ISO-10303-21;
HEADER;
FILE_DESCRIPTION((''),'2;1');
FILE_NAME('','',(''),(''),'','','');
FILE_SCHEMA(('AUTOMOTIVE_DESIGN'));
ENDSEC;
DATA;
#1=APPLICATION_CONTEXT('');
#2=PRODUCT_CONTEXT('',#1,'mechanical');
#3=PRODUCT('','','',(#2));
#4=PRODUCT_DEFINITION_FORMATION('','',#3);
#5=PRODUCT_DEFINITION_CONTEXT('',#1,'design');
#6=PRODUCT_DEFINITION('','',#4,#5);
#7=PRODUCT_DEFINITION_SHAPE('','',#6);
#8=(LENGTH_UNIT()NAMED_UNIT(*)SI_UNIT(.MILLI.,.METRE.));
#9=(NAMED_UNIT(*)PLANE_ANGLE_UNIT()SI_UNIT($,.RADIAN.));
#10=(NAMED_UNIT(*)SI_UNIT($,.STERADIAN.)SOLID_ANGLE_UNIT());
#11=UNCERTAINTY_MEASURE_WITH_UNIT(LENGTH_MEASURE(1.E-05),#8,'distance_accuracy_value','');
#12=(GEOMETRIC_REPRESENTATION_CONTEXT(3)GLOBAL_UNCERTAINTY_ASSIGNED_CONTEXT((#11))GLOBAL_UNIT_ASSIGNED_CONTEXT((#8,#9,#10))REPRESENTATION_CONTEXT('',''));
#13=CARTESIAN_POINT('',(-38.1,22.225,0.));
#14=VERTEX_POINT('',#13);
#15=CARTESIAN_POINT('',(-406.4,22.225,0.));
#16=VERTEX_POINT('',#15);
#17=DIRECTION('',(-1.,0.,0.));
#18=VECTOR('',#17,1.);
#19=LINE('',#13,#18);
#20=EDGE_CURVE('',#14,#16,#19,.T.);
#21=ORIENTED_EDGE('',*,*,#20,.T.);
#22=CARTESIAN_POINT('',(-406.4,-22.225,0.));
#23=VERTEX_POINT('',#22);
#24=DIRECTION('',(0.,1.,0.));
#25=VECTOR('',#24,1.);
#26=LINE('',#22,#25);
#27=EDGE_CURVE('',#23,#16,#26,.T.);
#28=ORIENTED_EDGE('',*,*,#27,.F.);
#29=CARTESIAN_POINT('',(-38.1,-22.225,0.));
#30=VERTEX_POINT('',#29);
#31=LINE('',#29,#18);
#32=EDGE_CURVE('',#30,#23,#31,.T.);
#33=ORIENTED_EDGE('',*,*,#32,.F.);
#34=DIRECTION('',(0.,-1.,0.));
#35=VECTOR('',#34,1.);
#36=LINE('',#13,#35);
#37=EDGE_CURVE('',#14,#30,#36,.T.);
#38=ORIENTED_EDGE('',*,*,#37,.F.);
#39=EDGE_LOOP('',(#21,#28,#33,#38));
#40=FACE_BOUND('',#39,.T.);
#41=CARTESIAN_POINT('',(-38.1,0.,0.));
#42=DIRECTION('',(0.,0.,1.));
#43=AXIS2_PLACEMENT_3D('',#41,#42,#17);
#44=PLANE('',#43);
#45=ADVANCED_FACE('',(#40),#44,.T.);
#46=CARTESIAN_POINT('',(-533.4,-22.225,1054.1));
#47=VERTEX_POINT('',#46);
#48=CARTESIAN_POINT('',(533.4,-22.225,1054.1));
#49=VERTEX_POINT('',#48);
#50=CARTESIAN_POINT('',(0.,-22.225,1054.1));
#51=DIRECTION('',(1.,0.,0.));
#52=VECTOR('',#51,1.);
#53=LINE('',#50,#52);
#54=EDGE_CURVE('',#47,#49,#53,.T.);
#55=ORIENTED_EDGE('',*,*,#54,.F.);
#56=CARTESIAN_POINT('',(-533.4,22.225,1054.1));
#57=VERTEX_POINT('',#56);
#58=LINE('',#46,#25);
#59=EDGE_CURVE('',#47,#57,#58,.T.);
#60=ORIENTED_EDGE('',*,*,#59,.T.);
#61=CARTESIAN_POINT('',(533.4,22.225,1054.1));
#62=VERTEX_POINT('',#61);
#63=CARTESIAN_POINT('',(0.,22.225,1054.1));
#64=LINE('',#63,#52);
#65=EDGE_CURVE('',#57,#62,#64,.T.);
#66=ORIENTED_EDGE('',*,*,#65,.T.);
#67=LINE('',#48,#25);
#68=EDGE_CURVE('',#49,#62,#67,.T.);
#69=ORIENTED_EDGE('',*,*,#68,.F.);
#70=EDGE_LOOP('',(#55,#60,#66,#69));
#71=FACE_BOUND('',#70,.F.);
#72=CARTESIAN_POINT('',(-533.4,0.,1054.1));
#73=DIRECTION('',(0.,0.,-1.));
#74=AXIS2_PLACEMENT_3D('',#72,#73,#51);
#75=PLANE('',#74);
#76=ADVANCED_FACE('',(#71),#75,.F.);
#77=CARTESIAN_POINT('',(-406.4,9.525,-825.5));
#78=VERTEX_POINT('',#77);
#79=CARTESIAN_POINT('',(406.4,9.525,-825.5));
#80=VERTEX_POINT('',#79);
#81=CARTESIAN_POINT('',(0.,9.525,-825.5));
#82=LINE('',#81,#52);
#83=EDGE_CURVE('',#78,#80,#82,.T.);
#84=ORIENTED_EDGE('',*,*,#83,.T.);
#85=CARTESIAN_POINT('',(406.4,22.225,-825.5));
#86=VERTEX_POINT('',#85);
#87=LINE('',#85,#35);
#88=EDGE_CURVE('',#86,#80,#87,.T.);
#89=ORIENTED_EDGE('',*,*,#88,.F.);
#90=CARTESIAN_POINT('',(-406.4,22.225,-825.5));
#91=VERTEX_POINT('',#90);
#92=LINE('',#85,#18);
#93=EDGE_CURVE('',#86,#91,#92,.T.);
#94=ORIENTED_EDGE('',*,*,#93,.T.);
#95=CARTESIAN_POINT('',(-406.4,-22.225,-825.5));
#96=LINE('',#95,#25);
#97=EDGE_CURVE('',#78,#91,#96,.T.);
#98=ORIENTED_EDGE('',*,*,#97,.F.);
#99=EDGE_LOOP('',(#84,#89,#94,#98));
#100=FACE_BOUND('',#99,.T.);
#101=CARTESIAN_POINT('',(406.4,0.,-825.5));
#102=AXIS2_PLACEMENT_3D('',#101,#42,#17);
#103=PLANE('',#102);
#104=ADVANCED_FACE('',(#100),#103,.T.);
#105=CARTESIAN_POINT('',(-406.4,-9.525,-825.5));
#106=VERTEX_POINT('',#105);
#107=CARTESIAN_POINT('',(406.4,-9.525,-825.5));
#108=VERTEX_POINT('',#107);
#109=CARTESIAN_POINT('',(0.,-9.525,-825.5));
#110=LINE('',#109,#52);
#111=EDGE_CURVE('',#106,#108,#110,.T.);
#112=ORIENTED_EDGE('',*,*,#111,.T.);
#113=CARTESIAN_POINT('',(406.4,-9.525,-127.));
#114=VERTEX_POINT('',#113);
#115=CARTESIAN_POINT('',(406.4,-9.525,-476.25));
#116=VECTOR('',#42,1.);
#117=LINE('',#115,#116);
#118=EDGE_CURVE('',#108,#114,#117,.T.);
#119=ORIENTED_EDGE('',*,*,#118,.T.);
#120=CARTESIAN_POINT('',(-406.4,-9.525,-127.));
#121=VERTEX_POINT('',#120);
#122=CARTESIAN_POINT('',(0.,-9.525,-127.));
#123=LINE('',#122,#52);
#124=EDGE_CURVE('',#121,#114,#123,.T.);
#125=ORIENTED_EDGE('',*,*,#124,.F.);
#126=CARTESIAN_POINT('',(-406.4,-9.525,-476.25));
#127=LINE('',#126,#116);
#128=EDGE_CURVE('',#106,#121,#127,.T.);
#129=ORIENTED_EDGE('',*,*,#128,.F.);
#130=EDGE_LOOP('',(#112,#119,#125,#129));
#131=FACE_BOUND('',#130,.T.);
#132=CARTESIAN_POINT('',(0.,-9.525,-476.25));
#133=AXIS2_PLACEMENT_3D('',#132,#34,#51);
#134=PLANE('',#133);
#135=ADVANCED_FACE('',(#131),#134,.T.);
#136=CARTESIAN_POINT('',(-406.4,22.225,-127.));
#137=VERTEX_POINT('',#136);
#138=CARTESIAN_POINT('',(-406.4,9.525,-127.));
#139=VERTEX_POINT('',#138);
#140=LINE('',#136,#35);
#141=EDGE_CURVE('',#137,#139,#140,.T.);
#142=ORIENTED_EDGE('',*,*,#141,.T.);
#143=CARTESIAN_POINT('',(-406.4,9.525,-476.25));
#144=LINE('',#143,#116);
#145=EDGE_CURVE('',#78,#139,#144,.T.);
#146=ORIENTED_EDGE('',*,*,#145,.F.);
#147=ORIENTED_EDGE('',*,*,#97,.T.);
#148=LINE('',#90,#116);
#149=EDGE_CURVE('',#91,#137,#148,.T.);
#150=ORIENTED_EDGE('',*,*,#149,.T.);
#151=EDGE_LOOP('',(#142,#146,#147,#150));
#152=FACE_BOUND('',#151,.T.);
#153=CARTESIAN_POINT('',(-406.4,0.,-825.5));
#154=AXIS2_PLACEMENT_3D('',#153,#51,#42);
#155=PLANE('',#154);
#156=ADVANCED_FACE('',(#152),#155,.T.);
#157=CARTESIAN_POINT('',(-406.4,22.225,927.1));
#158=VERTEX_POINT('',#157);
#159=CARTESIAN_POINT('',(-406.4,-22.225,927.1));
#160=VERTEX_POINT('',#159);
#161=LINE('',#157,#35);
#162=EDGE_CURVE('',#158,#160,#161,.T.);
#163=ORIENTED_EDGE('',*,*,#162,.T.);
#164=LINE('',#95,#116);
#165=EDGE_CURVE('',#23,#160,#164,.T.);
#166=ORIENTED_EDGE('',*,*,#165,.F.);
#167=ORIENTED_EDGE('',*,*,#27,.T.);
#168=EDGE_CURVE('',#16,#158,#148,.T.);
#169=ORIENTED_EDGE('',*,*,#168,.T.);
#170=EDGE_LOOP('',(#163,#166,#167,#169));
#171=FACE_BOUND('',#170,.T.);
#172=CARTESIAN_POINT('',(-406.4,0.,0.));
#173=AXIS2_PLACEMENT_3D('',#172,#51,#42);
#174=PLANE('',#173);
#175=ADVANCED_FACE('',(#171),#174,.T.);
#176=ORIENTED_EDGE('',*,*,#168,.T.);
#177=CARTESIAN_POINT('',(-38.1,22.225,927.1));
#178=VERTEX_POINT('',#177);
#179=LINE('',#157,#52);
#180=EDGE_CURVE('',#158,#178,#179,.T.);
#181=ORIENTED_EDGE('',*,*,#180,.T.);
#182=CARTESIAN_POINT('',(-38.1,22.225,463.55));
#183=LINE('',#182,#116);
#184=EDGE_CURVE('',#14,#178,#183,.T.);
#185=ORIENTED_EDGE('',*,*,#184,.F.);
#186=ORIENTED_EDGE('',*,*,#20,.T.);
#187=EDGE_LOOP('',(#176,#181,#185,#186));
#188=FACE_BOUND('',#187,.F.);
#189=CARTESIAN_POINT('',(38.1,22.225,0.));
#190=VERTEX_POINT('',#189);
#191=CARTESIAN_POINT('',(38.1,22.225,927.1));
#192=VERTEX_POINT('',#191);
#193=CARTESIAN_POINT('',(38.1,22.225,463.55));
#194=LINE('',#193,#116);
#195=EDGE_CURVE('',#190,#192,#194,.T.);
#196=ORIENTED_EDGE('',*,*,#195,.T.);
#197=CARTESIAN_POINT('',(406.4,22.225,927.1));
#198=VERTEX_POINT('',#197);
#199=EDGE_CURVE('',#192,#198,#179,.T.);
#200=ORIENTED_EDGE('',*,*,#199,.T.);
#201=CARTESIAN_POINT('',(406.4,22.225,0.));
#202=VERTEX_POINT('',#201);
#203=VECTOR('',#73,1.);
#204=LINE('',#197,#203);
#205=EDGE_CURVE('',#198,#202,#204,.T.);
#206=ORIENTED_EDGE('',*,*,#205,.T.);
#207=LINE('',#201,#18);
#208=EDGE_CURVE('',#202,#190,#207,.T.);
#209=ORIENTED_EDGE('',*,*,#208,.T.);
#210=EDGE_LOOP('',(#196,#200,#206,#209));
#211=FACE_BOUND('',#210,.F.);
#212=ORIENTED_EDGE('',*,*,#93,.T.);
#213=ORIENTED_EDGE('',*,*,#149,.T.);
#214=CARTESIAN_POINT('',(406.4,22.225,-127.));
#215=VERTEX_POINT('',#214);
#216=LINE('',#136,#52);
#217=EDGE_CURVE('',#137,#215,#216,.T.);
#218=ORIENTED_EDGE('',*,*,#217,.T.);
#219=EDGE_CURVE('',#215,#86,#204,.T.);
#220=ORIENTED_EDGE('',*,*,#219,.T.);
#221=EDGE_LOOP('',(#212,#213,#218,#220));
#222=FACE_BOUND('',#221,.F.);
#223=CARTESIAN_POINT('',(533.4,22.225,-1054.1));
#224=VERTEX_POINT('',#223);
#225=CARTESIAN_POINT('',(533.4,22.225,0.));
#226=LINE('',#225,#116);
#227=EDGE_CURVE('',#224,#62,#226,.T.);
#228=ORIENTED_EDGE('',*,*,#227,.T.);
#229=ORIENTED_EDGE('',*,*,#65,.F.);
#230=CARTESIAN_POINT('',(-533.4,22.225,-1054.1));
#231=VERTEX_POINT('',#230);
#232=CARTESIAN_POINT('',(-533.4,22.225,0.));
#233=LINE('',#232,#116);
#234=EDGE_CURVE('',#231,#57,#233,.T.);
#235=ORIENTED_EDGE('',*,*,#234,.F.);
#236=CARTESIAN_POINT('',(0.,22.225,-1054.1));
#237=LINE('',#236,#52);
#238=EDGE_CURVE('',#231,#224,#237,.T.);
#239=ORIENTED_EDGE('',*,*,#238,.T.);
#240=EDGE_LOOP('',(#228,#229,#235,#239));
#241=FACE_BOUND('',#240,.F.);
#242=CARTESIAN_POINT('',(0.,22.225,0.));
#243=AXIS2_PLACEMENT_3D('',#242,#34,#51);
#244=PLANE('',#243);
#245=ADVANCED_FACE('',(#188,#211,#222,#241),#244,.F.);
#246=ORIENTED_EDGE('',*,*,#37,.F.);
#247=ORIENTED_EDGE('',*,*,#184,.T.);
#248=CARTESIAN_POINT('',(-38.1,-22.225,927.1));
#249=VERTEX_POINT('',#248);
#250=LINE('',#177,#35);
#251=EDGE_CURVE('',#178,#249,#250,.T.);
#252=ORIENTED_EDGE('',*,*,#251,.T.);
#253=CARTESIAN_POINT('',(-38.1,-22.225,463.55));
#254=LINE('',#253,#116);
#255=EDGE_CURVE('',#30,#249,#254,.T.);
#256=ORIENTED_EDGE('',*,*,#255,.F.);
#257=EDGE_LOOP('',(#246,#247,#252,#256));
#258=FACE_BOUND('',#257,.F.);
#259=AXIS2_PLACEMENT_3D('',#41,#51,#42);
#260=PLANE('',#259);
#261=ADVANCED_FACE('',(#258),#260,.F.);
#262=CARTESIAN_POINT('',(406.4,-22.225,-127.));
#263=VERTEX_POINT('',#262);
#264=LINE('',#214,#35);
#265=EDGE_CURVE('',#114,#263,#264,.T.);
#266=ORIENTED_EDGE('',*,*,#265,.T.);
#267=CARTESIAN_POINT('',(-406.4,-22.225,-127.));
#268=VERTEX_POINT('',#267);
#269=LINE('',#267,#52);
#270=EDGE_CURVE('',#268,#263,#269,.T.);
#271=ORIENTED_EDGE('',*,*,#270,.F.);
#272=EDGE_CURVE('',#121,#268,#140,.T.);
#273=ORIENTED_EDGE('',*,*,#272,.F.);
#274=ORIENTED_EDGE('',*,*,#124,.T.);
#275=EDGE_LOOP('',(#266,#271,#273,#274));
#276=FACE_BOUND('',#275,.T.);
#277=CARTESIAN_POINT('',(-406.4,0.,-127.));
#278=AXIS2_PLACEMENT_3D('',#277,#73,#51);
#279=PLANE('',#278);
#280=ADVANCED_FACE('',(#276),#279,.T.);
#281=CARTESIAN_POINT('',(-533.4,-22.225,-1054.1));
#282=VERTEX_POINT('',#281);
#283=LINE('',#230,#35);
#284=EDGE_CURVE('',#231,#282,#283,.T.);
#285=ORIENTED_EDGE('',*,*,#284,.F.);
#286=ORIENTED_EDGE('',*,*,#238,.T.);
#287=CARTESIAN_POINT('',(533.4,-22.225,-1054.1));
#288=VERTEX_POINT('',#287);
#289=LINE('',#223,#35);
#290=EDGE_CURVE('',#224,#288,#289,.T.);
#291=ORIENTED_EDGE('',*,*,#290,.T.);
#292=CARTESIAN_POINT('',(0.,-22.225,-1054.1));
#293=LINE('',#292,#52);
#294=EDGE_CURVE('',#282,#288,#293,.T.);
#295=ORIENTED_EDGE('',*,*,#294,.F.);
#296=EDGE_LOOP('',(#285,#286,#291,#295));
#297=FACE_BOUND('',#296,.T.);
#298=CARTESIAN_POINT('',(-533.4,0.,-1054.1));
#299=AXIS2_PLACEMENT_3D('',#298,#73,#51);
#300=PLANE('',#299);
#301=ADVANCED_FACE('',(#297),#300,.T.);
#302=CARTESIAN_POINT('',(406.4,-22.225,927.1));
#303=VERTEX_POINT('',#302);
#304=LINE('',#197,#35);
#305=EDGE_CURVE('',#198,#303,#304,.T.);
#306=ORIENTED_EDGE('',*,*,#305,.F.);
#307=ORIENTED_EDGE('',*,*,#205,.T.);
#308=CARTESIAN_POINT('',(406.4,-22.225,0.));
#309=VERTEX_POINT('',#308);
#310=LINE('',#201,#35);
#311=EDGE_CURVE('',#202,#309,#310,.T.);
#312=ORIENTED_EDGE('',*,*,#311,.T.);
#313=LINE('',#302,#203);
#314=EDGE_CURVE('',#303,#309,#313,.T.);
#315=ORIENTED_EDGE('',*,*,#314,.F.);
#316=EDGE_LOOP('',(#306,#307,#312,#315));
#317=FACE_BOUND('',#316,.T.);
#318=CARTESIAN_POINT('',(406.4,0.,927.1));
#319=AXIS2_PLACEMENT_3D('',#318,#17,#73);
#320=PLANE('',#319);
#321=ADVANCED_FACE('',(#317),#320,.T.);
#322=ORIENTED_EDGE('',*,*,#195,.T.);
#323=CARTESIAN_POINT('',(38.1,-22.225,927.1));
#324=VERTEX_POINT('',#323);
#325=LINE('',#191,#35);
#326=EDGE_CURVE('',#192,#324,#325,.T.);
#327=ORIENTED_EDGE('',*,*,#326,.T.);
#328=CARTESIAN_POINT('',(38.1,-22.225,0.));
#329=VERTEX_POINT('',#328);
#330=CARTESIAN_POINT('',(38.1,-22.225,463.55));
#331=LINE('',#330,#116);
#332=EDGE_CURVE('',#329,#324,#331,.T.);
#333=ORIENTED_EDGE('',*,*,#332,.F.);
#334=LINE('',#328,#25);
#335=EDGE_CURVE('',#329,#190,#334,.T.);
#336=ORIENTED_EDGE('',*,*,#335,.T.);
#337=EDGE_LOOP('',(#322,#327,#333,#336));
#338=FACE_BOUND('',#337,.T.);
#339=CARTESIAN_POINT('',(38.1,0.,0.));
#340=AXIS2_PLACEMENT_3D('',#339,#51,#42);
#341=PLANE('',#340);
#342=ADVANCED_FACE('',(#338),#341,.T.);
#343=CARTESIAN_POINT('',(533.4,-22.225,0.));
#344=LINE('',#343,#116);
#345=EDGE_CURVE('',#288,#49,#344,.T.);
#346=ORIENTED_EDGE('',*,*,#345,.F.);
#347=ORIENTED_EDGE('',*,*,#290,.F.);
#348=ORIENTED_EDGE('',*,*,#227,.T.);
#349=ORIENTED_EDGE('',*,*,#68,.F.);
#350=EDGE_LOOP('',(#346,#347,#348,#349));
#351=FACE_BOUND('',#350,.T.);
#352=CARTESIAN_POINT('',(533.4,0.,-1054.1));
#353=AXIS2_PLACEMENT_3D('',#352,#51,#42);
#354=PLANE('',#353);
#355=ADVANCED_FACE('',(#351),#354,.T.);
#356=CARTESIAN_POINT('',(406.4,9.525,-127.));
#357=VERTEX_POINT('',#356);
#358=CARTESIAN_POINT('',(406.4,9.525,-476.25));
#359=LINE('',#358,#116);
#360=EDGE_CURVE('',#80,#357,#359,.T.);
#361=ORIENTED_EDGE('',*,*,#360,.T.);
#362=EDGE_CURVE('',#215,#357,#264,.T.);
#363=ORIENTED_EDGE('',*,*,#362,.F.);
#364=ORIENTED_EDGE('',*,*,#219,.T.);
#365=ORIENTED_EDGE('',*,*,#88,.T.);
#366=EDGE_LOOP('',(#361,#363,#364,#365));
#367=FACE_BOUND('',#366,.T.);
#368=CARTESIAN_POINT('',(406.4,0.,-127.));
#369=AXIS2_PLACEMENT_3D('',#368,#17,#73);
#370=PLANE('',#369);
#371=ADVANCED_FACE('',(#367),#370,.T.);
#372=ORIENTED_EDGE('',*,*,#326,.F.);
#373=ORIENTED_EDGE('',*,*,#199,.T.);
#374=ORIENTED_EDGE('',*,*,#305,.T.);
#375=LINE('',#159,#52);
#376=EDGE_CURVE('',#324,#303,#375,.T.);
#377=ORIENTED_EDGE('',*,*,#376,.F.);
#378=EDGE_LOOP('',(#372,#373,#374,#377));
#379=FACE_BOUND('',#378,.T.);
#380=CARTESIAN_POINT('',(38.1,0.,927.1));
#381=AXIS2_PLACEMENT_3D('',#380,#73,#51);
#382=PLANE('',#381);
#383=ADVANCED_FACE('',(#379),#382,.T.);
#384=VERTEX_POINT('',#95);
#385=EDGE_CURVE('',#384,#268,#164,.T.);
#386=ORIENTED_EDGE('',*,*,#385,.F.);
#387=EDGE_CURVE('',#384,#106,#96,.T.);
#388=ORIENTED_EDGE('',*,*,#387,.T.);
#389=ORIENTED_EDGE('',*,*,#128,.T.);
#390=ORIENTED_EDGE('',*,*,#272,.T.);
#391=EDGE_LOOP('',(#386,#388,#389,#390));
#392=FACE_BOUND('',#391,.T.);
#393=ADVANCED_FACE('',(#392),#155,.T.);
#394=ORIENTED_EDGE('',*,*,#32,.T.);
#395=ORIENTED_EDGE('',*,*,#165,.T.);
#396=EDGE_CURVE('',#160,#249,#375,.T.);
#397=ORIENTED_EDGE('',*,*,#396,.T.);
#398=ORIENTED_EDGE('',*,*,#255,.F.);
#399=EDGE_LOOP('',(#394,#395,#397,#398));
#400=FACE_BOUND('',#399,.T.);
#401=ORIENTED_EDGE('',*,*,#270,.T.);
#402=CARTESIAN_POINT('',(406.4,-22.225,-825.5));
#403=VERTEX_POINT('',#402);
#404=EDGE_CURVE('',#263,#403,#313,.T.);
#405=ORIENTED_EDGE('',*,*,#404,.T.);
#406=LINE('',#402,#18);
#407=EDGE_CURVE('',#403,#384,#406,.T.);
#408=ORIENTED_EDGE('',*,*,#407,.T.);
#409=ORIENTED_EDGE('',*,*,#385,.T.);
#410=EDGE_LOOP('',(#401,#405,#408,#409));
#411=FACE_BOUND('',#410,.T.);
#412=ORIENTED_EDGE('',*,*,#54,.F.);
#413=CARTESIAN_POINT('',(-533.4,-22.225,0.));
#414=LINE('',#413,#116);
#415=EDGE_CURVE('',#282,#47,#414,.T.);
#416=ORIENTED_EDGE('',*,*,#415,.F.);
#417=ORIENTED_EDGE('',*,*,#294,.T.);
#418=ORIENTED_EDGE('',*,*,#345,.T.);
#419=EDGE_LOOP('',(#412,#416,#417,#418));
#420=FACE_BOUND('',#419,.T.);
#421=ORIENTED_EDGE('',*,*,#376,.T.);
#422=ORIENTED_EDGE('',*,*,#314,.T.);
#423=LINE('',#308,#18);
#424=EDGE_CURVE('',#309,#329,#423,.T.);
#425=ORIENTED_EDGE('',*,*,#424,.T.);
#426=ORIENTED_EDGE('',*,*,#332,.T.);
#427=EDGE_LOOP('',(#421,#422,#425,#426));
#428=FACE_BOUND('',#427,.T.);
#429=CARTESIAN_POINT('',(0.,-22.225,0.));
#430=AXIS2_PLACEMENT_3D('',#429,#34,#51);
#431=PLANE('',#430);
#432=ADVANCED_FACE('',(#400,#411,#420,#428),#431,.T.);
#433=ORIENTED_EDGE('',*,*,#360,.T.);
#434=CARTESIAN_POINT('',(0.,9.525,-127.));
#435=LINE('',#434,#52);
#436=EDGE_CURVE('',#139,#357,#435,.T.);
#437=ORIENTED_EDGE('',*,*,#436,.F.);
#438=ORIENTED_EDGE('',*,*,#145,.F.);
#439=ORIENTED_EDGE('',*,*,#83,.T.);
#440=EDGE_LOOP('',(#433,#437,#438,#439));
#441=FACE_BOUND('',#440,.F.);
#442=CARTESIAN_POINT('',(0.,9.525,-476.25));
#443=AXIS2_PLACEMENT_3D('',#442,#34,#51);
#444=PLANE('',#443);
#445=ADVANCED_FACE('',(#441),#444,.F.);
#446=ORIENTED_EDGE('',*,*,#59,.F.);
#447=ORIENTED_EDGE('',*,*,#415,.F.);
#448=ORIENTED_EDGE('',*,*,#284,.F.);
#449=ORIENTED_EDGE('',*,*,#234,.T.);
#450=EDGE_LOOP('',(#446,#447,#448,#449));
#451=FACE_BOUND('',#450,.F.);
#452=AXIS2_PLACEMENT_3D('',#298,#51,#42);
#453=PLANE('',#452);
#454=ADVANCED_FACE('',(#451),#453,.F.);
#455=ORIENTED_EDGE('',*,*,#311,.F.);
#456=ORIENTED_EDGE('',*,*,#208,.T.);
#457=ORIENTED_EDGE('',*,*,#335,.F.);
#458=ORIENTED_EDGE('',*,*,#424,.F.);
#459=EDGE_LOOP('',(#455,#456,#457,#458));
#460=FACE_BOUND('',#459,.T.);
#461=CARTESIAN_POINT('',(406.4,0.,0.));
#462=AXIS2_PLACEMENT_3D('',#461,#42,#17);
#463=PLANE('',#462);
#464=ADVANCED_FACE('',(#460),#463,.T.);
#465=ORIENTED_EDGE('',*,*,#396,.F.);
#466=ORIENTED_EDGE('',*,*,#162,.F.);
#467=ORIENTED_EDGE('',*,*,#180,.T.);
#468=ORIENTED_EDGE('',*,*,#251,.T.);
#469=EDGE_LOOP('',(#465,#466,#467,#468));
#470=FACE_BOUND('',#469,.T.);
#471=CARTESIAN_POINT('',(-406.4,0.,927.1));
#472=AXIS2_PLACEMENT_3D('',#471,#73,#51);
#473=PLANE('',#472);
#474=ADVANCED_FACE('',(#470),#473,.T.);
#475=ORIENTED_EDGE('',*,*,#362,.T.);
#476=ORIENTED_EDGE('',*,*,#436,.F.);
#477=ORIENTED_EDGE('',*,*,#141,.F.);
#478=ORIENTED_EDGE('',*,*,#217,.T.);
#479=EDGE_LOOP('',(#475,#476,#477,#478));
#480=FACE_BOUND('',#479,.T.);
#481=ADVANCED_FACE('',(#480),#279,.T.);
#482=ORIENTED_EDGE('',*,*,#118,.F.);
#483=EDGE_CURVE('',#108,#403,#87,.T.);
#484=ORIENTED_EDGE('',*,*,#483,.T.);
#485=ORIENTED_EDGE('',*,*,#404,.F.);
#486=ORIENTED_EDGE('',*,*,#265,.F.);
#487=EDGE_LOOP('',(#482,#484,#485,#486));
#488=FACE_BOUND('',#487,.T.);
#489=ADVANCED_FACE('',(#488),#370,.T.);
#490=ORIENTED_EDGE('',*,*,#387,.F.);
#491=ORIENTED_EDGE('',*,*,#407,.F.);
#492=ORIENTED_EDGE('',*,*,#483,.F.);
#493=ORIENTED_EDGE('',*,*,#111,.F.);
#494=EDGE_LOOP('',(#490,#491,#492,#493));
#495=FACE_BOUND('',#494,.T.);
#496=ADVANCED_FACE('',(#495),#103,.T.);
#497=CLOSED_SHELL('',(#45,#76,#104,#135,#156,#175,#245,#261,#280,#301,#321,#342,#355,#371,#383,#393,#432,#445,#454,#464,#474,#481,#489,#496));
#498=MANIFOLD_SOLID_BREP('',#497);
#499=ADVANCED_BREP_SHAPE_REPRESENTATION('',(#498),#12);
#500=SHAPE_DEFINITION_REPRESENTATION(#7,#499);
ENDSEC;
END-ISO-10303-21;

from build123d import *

# Parameters (mm, degrees)
F0_W     = 1066.8
F0_H     = 2108.2
F0_W_2   = 76.2
F0_H_2   = 927.1
F1_DEPTH = 22.225
F0_W_3   = 812.8
F0_H_3   = 698.5
F2_DEPTH = 9.525


with BuildPart() as f1:
    # F0 (on Front) → F1 (new body, symmetric)
    with BuildSketch(Plane.XZ):
        Rectangle(F0_W, F0_H)
        Polygon((-406.4, 0), (-406.4, 927.1), (-38.1, 927.1), (38.1, 927.1), (406.4, 927.1), (406.4, 0), (406.4, -127), (406.4, -825.5), (-406.4, -825.5), (-406.4, -127), align=None, mode=Mode.SUBTRACT)
        with Locations((0, 463.55)):
            Rectangle(F0_W_2, F0_H_2)
        Polygon((-38.1, 0), (-406.4, 0), (-406.4, -127), (406.4, -127), (406.4, 0), (38.1, 0), align=None)
    extrude(amount=F1_DEPTH, both=True)

    # F0 (on Front) → F2 (join, symmetric)
    with BuildSketch(Plane.XZ):
        with Locations((0, -476.25)):
            Rectangle(F0_W_3, F0_H_3)
    extrude(amount=F2_DEPTH, both=True)


solid = f1.part
